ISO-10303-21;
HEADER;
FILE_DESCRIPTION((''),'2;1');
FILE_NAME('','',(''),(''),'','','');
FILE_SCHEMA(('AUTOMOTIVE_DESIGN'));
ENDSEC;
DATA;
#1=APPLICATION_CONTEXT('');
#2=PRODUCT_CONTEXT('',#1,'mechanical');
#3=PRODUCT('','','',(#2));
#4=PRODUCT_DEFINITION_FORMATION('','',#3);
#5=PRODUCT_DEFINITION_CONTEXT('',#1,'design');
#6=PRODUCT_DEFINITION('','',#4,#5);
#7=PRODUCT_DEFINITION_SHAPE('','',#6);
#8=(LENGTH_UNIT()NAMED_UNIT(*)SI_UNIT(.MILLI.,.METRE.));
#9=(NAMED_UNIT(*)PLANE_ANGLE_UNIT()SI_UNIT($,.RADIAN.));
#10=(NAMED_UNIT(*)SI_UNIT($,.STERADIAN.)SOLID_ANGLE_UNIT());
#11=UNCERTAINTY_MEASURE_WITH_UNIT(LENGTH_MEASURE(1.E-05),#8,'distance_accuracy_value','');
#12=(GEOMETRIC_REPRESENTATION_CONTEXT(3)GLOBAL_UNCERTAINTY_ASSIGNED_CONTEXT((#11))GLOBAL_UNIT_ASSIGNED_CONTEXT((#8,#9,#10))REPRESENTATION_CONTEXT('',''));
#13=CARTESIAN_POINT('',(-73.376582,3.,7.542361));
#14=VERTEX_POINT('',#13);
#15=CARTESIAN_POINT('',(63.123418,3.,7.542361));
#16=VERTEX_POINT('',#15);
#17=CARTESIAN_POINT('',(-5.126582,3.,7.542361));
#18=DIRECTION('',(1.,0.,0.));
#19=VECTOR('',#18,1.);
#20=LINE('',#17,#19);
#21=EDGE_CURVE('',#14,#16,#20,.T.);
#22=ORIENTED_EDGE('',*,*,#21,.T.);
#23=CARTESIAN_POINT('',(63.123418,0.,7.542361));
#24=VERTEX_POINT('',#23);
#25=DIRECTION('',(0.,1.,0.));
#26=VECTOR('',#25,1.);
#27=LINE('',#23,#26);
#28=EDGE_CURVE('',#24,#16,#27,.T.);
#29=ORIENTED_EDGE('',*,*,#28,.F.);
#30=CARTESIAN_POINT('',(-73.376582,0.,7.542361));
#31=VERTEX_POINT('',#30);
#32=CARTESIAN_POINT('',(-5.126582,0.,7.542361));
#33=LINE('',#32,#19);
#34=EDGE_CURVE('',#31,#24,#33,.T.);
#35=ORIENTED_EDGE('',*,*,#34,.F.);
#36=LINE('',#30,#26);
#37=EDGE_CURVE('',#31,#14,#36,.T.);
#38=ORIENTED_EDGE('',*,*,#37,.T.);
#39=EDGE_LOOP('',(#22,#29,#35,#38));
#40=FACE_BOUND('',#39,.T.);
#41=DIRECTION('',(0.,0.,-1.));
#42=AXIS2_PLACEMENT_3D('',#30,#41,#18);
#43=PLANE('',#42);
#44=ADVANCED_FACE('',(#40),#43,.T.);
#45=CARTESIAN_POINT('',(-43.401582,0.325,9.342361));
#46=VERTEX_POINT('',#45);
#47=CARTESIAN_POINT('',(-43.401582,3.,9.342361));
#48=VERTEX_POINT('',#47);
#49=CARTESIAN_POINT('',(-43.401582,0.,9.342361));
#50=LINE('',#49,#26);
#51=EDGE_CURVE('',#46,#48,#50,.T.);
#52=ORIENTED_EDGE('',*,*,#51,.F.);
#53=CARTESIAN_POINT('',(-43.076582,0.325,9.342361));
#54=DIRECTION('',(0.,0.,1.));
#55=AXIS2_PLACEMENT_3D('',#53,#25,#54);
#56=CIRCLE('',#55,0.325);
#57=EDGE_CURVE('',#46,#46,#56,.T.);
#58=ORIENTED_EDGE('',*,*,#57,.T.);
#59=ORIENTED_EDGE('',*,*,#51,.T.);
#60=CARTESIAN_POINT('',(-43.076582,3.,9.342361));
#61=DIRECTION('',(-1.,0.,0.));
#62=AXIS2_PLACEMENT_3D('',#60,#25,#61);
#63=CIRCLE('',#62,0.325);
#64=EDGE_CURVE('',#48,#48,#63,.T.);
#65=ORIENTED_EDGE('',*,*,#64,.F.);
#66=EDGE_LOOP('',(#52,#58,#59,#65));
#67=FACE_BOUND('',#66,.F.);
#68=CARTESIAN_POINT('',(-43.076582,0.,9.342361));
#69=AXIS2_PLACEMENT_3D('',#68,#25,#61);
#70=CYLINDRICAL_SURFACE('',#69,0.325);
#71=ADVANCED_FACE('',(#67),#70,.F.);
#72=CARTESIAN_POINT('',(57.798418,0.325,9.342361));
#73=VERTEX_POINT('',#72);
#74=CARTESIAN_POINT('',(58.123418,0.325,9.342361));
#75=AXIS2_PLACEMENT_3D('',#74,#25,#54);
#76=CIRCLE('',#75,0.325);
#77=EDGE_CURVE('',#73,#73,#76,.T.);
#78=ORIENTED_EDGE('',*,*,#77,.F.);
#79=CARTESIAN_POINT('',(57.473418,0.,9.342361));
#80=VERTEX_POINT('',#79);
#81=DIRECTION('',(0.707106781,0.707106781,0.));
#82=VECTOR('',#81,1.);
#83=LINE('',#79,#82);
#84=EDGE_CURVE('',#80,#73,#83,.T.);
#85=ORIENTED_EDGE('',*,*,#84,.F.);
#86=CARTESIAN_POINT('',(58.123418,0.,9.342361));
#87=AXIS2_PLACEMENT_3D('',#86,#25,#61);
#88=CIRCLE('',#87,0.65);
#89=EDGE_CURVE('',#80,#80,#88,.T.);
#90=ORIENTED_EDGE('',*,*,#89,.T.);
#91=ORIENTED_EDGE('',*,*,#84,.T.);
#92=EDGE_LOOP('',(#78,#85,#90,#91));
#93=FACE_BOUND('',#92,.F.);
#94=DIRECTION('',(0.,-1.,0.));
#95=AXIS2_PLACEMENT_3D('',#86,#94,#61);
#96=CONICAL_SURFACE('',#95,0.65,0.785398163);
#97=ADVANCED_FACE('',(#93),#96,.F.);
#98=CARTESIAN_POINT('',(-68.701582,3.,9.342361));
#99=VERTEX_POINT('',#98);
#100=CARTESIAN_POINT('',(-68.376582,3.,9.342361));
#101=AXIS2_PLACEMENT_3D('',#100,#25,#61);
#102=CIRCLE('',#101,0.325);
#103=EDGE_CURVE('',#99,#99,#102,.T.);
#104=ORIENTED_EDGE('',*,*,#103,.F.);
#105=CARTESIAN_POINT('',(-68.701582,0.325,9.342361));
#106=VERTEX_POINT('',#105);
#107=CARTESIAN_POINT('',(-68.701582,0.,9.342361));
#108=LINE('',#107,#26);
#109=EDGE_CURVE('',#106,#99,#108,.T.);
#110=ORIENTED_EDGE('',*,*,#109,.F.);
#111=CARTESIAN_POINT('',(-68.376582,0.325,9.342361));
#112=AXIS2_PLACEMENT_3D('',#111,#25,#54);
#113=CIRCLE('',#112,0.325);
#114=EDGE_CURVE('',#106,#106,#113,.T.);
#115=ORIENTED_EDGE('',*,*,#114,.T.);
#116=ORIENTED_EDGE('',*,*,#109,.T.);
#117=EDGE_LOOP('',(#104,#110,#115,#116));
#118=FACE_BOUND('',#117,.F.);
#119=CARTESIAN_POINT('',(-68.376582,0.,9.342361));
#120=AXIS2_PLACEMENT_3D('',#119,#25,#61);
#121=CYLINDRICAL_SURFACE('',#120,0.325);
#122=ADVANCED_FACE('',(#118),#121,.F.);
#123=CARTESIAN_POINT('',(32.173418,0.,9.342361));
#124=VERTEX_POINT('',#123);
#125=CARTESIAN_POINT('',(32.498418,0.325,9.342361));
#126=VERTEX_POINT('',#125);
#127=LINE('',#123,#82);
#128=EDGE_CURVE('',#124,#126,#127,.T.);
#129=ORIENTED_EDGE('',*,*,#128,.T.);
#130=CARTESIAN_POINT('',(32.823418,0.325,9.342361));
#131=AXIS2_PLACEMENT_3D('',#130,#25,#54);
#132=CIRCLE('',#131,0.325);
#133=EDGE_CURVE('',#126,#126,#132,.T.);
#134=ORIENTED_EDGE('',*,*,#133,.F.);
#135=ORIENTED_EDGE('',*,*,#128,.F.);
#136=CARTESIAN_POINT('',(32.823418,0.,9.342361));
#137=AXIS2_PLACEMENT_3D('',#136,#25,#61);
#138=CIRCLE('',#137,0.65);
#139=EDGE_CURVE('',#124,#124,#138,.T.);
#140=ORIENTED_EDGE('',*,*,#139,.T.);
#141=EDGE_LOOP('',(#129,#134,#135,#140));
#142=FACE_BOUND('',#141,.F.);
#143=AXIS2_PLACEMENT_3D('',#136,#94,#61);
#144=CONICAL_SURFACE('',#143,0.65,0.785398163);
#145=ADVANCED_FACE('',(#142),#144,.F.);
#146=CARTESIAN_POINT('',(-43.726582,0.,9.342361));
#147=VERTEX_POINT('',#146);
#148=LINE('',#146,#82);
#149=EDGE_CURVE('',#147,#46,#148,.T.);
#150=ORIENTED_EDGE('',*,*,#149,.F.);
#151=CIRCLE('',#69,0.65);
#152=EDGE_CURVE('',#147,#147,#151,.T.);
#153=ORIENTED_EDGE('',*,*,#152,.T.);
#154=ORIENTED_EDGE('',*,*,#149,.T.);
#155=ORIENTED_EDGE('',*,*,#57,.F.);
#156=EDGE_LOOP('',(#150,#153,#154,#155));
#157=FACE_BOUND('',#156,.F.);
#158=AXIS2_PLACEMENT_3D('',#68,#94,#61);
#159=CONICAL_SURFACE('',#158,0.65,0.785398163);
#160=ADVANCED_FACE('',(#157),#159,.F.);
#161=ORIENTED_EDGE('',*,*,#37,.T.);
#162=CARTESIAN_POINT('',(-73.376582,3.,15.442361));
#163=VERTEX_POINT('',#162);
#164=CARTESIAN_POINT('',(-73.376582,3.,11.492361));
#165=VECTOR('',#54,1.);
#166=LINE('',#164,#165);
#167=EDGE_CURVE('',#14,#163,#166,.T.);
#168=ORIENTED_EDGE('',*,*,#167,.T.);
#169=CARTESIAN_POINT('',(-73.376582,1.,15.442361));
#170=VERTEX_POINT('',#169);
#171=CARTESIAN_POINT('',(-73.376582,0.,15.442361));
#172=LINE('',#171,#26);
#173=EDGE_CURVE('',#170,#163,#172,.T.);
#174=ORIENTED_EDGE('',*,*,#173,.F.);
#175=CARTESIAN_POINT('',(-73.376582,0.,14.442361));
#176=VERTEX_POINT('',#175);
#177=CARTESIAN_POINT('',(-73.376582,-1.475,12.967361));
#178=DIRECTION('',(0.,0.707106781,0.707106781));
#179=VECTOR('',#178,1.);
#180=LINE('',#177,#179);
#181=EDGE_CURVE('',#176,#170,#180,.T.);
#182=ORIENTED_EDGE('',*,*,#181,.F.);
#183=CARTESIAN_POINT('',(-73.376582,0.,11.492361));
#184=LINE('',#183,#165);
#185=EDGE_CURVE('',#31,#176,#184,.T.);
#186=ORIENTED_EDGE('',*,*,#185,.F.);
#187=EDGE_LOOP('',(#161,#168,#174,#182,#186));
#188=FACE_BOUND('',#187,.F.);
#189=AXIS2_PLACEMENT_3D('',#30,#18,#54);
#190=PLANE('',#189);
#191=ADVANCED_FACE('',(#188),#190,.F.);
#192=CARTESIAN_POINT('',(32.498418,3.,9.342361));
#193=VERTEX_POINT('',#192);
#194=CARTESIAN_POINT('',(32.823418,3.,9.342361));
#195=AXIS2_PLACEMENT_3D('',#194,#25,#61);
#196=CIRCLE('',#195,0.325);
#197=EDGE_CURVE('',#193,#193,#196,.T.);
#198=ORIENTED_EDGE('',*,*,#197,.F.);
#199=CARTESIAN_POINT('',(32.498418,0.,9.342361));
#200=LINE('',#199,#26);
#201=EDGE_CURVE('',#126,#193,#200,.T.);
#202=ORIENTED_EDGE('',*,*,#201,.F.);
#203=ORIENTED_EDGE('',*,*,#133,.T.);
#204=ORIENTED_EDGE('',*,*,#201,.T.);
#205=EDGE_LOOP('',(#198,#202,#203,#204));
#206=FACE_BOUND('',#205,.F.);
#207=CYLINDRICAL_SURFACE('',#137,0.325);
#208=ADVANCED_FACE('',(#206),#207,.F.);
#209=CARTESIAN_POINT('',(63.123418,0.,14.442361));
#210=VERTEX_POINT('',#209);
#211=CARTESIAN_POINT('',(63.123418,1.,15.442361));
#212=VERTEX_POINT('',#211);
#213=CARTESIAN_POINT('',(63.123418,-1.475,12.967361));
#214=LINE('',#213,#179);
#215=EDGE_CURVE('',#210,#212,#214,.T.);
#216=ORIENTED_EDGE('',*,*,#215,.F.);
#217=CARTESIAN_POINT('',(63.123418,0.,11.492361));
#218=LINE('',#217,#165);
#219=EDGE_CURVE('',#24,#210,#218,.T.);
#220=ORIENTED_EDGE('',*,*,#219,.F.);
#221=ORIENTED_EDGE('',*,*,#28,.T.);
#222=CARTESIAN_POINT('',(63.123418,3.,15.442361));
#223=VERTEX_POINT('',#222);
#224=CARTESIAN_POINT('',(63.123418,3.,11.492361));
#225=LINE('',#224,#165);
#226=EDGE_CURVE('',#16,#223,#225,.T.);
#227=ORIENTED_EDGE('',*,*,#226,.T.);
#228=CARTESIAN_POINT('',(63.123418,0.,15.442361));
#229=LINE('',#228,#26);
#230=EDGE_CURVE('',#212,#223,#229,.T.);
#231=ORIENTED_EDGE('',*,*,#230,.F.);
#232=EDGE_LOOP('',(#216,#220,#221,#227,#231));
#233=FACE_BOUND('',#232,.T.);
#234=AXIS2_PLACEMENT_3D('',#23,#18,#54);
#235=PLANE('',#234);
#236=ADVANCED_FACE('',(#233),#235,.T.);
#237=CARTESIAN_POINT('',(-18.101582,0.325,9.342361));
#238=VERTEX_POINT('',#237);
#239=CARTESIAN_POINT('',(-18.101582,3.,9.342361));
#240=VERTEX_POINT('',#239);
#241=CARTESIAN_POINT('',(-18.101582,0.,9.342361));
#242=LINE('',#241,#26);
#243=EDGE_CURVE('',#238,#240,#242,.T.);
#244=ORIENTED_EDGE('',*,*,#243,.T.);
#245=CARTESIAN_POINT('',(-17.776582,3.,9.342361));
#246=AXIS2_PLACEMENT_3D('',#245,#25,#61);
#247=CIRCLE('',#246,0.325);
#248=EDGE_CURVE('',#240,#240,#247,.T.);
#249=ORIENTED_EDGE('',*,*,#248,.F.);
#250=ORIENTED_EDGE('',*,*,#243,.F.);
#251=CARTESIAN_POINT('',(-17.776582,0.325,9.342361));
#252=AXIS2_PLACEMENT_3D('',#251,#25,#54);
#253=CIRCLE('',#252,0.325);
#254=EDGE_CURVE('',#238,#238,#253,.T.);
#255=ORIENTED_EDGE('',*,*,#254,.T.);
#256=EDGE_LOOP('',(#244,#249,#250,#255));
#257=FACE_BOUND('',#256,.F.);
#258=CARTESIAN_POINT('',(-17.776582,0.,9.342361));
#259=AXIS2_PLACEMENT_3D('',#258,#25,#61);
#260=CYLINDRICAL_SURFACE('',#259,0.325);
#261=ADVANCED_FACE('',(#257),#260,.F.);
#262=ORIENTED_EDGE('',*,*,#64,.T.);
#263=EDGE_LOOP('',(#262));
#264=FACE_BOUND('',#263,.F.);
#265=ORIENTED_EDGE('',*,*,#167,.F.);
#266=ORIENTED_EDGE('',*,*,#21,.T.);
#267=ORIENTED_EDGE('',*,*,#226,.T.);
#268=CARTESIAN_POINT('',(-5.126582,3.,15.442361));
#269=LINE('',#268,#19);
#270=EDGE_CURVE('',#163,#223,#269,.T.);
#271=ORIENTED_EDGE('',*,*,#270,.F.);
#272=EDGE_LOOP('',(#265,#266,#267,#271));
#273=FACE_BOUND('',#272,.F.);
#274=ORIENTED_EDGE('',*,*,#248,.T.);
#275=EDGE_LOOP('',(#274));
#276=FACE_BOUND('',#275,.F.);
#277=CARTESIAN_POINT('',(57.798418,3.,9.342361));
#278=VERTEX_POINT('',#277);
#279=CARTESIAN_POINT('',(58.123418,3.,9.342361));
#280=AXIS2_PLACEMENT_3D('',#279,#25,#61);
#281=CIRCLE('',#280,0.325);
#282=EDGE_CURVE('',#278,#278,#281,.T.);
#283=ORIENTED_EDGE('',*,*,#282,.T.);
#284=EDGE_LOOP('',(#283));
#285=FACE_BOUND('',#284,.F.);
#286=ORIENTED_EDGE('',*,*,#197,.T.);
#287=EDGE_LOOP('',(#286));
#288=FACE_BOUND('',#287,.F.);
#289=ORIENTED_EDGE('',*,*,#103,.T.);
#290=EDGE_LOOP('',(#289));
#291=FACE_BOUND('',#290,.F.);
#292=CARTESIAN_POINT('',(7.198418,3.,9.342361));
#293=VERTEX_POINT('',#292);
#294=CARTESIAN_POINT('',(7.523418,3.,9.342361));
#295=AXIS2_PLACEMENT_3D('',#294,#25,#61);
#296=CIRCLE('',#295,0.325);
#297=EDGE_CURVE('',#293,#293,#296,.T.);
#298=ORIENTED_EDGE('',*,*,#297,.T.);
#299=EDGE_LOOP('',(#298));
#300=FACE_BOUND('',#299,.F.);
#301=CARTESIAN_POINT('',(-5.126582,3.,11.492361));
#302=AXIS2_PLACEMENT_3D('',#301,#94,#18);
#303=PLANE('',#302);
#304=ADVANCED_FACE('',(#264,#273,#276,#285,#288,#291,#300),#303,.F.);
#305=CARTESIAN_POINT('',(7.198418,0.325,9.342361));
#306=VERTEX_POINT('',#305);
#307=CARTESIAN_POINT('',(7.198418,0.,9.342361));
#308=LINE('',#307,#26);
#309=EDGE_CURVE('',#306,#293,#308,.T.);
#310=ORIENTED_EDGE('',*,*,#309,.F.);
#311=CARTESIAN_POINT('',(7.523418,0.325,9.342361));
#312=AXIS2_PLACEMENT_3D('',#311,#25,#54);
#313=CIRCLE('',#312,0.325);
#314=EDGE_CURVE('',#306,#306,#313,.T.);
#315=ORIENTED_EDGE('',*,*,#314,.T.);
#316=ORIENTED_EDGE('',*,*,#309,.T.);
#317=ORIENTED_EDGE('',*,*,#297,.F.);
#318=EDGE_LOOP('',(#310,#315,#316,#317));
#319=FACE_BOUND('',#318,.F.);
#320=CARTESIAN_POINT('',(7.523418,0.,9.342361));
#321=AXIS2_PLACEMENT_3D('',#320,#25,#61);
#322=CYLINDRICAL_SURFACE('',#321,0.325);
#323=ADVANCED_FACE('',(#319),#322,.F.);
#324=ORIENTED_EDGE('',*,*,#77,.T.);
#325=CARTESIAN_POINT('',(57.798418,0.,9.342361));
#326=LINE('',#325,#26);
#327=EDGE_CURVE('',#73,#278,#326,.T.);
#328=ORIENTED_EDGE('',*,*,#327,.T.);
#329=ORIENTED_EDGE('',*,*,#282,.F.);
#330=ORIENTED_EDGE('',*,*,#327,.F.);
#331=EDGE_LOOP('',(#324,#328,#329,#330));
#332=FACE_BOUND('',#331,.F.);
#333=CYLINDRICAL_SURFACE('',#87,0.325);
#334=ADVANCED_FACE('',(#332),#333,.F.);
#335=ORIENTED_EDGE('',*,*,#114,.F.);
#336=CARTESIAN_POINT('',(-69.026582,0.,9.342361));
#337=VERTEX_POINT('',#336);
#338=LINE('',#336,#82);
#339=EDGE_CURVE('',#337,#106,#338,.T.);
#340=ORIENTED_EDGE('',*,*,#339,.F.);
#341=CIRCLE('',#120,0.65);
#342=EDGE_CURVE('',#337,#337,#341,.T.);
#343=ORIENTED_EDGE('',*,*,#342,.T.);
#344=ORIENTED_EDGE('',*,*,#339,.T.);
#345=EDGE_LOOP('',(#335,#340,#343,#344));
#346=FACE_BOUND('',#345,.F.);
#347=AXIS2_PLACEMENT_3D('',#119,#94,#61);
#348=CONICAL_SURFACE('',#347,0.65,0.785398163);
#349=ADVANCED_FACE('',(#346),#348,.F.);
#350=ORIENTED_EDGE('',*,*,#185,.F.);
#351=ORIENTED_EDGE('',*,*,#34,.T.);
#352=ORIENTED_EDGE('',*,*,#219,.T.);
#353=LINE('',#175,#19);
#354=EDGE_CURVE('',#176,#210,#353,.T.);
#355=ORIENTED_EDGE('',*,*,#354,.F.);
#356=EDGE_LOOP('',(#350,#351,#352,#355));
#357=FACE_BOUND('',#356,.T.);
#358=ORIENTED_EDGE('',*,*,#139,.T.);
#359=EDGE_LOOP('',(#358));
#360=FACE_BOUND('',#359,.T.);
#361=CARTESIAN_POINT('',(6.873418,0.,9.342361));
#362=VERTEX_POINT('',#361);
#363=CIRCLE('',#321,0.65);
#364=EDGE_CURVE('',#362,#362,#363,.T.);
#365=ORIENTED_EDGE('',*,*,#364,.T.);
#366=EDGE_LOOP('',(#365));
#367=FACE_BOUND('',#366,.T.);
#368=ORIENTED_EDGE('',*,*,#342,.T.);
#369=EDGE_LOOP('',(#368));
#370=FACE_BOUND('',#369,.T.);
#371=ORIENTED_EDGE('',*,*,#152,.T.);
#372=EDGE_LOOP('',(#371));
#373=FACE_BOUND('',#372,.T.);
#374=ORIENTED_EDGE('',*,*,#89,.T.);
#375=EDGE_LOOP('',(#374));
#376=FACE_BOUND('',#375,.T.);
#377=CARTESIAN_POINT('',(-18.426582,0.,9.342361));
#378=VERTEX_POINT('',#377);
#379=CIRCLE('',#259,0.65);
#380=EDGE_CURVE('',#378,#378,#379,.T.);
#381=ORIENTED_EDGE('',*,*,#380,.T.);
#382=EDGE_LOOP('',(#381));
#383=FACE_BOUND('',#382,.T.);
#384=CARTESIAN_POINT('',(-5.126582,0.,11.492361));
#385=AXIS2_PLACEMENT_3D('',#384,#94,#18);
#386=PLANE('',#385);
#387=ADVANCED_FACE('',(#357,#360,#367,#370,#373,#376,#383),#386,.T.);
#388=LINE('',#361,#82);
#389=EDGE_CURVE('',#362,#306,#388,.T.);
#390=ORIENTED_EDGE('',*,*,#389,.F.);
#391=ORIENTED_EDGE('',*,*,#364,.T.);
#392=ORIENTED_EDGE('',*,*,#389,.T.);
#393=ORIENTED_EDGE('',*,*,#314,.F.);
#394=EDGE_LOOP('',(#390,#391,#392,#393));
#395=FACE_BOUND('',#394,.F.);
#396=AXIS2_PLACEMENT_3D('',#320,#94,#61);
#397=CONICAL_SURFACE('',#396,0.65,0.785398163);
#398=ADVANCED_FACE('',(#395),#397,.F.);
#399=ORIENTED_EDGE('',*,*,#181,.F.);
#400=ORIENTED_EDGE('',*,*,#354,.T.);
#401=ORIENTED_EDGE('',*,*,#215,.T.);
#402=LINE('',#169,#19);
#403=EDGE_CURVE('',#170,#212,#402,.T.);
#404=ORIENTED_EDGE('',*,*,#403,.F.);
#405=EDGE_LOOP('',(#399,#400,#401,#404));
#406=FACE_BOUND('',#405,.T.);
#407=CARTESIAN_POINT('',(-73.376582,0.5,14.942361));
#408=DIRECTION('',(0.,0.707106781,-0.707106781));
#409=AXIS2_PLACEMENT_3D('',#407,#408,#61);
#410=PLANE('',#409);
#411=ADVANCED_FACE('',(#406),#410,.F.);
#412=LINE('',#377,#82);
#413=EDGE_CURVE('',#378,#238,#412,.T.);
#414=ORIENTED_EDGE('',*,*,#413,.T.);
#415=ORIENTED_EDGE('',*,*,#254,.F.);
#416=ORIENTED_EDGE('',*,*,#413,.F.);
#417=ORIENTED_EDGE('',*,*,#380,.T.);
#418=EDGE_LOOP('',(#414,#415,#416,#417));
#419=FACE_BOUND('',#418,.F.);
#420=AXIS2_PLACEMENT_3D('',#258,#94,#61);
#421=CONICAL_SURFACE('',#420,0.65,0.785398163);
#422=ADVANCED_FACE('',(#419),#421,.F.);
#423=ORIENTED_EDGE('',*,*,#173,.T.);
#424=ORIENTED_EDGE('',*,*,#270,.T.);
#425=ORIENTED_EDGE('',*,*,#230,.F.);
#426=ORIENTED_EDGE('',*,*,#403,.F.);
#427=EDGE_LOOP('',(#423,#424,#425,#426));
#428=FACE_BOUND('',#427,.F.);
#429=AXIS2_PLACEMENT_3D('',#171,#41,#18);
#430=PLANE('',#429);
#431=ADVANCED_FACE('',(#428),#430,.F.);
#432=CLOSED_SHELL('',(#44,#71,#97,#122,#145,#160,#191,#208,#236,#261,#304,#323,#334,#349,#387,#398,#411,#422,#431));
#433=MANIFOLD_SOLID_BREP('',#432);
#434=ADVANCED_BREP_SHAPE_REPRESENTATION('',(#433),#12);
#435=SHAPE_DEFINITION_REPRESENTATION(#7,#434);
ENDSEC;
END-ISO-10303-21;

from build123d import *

# Parameters (mm, degrees)
F0_W           = 136.5
F0_H           = 7.9
F1_DEPTH       = 3
F2_D           = 0.65
F2_CSINK_D     = 1.3
F2_CSINK_ANGLE = 90
F3_SIZE        = 1


with BuildPart() as f1:
    # F0 (on Front) → F1 (new body)
    with BuildSketch(Plane.XZ):
        with Locations((-5.126582, 11.492361)):
            Rectangle(F0_W, F0_H)
    extrude(amount=-F1_DEPTH)

    # F2 (through all)
    with Locations(Plane.XZ):
        with Locations((58.123418, 9.342361), (32.823418, 9.342361), (7.523418, 9.342361), (-17.776582, 9.342361), (-43.076582, 9.342361), (-68.376582, 9.342361)):
            CounterSinkHole(F2_D / 2, F2_CSINK_D / 2, counter_sink_angle=F2_CSINK_ANGLE)

    # F3
    f3_edges = [f1.edges().sort_by_distance(p)[0] for p in [
        (-5.126582, 0, 15.442361),
    ]]
    chamfer(f3_edges, length=F3_SIZE)


solid = f1.part
